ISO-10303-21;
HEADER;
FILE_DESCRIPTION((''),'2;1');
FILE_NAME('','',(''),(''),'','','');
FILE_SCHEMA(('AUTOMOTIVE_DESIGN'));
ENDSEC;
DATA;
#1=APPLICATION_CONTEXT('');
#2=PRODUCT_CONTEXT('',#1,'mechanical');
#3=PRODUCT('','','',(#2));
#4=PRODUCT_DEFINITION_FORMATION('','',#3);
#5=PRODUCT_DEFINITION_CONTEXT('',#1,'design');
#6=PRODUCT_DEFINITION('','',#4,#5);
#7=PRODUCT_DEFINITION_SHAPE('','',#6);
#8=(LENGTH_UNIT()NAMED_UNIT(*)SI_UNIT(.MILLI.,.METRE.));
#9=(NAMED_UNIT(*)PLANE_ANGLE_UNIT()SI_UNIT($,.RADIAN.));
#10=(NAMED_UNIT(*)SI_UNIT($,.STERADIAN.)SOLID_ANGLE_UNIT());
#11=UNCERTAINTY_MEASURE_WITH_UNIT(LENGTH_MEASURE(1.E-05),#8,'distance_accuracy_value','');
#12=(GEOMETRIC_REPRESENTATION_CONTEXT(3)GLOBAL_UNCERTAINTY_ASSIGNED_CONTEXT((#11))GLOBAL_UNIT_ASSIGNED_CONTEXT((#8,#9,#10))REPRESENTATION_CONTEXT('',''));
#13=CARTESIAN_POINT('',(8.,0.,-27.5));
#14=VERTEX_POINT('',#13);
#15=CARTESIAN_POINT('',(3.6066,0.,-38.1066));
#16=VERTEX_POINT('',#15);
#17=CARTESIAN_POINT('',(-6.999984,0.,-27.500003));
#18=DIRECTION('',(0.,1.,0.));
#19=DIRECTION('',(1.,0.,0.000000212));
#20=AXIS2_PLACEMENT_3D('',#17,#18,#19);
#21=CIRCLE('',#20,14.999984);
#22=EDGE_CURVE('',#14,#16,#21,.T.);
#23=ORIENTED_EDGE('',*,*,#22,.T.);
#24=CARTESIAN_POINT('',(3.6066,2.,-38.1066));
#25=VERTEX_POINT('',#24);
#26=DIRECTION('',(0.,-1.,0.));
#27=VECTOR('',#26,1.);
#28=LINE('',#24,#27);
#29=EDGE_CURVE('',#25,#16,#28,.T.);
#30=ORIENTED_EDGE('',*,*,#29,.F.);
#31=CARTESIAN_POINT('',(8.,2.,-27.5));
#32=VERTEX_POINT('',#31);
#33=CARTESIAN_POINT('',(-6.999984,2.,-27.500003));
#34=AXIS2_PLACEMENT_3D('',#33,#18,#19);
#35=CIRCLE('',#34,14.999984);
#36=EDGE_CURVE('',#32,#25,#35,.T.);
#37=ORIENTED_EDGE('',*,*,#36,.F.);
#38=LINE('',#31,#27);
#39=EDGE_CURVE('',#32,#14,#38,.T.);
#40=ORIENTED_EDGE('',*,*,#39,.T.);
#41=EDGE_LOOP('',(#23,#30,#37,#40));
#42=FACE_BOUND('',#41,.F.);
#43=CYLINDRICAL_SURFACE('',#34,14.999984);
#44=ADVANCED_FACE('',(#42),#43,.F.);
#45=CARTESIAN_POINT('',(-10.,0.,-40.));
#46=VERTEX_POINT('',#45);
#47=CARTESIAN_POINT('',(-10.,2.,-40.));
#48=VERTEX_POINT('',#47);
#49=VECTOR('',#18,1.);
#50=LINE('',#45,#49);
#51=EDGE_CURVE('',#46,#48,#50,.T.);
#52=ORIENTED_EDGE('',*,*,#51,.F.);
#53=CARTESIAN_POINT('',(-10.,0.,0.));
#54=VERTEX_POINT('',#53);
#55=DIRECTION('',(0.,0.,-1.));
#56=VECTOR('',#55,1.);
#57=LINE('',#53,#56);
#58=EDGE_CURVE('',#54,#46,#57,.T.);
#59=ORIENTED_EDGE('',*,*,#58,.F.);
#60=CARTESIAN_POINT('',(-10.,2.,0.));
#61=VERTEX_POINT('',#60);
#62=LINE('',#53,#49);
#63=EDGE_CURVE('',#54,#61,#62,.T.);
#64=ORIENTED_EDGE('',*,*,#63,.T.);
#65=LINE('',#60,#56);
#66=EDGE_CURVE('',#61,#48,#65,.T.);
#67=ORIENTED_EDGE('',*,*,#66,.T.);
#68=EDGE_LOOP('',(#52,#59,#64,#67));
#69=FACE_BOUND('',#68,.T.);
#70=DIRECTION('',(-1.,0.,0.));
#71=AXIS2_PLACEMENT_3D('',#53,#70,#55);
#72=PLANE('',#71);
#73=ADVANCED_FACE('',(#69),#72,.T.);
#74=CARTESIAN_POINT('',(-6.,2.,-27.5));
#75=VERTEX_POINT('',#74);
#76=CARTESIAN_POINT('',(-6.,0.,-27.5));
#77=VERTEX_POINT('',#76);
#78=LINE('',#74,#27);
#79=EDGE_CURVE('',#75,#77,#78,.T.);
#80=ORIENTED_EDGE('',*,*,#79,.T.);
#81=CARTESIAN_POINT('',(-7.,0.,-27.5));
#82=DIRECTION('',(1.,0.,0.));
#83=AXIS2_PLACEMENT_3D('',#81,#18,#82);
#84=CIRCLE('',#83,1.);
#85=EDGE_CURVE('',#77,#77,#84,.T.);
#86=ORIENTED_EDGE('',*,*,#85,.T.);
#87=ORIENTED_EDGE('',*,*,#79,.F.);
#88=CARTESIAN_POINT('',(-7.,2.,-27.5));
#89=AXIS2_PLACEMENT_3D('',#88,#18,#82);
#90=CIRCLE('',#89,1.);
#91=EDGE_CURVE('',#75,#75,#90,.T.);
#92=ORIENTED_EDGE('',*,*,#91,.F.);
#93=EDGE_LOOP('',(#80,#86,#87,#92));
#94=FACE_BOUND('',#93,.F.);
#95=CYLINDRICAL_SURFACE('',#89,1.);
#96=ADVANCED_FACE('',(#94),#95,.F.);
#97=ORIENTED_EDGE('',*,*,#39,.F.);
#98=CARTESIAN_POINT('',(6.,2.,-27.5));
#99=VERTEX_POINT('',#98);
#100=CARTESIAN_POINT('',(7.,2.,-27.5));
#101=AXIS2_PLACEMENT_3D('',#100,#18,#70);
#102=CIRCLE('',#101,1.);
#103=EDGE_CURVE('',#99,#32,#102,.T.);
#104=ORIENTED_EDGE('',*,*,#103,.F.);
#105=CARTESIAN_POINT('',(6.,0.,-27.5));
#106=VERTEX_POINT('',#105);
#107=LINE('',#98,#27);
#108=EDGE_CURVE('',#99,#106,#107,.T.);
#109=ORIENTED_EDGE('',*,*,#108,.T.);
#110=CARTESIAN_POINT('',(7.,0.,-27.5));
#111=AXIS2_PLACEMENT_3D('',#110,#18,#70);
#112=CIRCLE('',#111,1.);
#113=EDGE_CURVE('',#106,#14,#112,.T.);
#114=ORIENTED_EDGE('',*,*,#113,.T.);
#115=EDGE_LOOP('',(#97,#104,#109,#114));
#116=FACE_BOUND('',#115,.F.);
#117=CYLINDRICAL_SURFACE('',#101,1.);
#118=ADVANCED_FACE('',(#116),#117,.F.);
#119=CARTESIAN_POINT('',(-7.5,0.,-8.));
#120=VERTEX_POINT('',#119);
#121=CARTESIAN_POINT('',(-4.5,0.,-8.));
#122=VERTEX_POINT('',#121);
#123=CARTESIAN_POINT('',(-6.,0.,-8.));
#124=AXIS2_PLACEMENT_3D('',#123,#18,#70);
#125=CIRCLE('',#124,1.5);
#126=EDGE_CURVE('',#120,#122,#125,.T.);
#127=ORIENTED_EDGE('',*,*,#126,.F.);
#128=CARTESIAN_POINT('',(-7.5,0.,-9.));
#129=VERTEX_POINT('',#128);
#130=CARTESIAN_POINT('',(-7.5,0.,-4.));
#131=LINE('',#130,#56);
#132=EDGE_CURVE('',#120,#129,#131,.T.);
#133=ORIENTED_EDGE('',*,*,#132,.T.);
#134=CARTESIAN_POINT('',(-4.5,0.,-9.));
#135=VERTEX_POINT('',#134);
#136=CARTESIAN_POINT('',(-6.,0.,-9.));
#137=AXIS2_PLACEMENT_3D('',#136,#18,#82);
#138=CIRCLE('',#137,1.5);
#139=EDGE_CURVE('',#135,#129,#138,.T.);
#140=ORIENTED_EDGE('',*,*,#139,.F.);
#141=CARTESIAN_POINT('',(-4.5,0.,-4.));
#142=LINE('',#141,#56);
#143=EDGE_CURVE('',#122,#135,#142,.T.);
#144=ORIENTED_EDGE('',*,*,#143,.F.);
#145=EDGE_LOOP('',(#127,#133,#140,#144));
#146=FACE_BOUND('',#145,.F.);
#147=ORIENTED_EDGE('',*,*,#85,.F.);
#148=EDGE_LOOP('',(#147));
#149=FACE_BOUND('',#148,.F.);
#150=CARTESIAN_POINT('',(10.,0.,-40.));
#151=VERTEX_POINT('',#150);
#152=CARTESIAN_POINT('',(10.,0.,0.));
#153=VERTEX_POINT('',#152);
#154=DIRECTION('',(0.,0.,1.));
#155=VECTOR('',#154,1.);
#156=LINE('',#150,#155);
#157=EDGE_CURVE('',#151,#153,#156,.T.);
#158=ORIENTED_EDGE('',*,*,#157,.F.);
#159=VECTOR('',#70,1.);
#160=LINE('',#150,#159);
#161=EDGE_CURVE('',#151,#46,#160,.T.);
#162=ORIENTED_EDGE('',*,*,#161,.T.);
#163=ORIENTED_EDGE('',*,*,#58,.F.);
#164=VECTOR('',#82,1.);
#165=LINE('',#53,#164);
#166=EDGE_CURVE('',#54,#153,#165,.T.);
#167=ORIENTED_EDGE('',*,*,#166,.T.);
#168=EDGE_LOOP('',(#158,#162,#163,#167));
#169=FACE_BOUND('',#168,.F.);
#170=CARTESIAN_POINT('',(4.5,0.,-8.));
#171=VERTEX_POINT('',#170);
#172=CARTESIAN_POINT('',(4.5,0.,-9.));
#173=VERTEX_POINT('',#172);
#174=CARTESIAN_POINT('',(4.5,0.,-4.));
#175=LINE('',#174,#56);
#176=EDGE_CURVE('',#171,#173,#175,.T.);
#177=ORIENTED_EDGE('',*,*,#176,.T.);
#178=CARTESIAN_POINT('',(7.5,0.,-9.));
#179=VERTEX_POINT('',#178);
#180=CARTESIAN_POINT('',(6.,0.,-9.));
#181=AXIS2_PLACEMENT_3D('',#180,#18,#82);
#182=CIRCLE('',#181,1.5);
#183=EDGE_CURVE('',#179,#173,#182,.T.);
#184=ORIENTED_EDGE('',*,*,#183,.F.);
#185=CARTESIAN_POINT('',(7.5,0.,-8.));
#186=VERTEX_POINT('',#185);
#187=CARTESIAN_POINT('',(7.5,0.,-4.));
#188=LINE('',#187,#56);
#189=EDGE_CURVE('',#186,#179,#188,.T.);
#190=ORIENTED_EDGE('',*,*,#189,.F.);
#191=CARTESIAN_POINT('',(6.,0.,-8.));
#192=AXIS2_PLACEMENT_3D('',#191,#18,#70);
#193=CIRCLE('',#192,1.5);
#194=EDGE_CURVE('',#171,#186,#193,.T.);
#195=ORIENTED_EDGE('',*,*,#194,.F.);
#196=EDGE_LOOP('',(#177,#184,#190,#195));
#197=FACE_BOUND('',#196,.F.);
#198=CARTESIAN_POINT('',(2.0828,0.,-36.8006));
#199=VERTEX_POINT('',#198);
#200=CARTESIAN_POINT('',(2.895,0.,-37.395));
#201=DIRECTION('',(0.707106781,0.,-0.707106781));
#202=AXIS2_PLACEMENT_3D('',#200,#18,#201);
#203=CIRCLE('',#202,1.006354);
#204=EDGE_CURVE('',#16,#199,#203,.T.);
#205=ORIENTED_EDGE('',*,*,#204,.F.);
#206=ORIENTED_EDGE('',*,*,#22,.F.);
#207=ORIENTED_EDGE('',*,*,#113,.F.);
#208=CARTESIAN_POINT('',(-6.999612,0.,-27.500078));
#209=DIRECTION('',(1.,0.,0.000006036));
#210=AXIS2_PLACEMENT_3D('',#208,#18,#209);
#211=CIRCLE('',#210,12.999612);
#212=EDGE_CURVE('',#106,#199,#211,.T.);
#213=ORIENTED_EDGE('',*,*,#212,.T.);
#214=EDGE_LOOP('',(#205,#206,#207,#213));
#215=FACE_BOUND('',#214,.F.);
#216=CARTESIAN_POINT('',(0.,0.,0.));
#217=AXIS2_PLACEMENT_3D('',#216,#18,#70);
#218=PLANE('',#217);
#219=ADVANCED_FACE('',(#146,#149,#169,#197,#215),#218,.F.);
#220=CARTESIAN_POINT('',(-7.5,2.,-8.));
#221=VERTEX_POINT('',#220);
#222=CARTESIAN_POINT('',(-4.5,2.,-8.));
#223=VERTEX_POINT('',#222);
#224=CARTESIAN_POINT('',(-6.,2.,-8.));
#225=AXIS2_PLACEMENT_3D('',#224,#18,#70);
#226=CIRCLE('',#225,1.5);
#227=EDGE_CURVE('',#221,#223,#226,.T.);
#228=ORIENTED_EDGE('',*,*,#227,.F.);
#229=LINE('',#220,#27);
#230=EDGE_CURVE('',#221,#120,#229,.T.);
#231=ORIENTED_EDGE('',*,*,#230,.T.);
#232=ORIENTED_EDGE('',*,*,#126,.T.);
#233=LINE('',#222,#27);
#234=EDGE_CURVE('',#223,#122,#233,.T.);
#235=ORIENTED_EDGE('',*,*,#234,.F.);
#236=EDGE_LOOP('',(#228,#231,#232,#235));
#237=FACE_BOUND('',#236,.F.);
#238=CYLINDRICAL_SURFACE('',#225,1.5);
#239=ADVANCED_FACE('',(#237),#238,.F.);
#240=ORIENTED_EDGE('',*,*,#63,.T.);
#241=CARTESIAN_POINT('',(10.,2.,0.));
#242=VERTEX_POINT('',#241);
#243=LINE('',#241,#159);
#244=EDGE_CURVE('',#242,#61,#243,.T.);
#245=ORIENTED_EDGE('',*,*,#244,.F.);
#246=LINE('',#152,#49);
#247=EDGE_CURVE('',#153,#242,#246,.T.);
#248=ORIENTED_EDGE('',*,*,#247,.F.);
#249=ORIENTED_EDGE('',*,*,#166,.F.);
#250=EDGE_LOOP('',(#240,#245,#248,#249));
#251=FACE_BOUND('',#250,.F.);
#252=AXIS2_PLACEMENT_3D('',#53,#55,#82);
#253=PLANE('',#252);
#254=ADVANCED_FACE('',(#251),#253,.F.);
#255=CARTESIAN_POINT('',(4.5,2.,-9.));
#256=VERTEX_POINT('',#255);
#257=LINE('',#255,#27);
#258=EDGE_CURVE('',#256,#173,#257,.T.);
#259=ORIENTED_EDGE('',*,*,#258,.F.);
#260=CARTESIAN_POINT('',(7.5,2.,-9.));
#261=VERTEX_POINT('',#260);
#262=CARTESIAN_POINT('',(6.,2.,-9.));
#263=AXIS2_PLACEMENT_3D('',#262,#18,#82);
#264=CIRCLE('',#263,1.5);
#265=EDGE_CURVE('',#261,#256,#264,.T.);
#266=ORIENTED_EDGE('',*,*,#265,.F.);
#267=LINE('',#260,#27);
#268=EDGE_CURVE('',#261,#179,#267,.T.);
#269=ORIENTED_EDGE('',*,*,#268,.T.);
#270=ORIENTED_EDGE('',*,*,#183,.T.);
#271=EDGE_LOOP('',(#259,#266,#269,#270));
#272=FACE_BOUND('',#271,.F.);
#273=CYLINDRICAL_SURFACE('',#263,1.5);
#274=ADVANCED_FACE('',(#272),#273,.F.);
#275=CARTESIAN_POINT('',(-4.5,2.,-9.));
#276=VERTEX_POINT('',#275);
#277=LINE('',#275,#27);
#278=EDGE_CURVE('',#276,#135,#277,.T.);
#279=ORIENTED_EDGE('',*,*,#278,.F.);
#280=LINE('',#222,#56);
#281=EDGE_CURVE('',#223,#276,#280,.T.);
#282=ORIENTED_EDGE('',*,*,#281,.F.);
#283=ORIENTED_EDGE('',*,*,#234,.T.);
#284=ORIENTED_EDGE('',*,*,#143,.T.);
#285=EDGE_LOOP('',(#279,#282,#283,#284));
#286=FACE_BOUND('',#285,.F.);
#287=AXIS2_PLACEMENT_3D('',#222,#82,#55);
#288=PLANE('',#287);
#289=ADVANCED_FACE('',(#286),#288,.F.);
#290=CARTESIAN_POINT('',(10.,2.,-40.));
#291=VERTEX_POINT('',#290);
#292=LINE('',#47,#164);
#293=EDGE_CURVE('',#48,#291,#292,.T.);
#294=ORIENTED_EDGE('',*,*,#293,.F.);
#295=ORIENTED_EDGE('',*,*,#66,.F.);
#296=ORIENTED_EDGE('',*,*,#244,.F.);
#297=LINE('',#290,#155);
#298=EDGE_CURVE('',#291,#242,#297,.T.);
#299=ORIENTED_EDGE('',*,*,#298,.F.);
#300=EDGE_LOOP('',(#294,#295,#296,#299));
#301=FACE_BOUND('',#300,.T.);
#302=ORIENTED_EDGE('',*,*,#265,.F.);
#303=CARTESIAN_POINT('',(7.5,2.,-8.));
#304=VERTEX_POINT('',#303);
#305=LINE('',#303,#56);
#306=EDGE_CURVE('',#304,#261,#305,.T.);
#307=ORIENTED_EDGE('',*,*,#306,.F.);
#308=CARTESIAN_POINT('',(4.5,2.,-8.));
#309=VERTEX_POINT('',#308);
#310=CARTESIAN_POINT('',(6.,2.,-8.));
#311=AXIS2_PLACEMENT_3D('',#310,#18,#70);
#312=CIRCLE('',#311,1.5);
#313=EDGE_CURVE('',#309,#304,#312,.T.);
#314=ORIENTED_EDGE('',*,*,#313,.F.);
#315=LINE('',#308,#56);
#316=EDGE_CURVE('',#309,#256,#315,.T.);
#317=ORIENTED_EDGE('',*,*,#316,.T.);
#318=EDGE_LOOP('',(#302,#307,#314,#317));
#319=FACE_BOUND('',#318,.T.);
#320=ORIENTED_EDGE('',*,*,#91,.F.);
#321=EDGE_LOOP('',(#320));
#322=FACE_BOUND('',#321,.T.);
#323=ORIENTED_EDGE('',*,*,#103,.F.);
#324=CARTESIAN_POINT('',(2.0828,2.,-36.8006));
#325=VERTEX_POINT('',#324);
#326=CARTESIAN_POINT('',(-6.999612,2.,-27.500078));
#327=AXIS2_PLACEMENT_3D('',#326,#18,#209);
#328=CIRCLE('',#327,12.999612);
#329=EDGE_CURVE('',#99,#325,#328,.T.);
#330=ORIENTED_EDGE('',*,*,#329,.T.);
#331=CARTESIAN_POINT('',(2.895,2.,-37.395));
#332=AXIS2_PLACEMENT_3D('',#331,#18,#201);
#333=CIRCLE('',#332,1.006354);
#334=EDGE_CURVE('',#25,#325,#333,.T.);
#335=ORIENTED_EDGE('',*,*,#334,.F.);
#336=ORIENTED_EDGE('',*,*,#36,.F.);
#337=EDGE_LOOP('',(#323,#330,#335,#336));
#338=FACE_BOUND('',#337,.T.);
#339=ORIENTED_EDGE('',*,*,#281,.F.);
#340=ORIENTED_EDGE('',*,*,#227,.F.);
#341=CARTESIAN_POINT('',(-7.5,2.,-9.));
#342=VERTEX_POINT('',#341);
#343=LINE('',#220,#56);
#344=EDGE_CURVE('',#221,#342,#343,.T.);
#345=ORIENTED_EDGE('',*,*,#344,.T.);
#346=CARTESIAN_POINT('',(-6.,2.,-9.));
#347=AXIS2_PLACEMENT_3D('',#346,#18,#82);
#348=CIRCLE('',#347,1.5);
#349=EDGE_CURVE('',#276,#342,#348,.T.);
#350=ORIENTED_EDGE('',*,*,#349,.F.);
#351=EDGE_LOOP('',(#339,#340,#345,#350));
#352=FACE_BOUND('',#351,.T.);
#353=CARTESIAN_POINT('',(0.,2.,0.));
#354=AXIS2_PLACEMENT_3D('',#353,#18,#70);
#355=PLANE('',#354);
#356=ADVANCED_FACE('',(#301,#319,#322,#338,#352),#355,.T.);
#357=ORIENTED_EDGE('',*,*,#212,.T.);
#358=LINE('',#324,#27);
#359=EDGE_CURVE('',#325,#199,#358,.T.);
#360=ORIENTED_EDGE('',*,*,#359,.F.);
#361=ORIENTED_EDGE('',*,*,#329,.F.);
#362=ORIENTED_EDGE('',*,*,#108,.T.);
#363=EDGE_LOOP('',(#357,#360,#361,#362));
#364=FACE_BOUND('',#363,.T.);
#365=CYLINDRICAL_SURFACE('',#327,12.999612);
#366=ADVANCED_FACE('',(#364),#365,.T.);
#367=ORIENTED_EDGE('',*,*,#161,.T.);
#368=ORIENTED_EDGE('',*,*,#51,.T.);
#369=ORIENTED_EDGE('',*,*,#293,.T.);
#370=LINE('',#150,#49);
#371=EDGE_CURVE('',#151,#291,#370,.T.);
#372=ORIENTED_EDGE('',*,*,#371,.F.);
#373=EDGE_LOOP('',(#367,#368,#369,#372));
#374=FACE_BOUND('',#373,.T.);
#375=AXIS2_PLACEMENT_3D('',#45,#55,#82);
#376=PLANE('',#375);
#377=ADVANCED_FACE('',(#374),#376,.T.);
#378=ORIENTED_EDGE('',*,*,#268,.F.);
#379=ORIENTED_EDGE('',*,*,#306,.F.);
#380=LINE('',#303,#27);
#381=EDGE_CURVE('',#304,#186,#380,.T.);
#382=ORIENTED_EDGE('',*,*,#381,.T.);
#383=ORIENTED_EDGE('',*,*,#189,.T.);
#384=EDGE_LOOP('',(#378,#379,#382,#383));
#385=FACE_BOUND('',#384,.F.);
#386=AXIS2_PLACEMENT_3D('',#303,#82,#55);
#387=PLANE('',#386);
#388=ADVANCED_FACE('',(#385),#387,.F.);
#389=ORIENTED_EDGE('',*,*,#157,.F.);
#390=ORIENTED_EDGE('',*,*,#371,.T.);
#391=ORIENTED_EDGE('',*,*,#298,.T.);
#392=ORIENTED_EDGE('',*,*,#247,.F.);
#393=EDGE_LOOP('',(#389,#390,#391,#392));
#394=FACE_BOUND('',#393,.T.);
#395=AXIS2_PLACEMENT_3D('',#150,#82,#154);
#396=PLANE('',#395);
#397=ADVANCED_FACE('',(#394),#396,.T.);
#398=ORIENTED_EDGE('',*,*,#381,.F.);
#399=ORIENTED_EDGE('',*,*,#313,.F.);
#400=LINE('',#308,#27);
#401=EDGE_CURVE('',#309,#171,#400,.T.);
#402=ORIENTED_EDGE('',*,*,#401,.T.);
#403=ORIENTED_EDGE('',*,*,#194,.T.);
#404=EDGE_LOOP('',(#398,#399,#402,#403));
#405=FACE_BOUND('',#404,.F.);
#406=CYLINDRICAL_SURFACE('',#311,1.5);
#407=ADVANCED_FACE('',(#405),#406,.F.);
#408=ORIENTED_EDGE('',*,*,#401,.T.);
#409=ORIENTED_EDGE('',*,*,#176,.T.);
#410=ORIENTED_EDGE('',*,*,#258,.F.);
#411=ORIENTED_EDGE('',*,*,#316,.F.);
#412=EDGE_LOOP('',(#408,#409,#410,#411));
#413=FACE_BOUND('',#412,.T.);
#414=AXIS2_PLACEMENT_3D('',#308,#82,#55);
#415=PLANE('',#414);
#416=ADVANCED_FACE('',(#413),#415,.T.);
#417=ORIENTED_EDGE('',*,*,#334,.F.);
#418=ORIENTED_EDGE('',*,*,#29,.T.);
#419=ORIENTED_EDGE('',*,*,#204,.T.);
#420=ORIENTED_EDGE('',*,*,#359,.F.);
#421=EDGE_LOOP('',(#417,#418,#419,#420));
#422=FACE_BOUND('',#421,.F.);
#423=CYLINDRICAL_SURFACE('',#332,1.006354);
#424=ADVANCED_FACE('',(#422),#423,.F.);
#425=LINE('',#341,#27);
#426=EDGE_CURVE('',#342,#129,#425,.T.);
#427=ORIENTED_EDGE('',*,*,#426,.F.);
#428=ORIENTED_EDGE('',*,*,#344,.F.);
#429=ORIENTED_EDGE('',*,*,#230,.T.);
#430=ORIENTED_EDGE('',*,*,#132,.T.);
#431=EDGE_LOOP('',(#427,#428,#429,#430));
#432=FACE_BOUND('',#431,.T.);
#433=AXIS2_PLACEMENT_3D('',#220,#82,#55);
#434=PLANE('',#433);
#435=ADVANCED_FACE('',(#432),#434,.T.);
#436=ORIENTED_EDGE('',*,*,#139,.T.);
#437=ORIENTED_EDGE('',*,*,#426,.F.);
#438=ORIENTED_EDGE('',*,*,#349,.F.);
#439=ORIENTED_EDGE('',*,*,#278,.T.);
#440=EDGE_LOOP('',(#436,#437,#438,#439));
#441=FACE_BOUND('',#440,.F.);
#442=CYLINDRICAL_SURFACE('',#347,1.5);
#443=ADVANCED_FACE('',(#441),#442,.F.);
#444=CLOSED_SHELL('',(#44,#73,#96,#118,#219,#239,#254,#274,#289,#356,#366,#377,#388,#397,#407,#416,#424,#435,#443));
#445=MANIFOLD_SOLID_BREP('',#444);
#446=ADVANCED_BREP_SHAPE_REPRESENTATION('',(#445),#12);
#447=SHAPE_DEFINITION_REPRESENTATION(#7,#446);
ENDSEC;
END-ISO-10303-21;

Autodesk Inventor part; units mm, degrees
ref_plane "YZ Plane" through (0, 0, 0) normal (1, 0, 0) x (0, 1, 0)
ref_plane "XZ Plane" through (0, 0, 0) normal (0, 1, 0) x (-1, 0, 0)
ref_plane "XY Plane" through (0, 0, 0) normal (0, 0, 1) x (1, 0, 0)
sketch "Sketch1" plane through (0, 0, 0) normal (0, 1, 0) x (-1, 0, 0)
  line L0 (14, 0) -> (-14, 0) projected
  line L1 (0, -48) -> (0, 8) projected
  line L2 (10, -40) -> (-10, -40)
  line L3 (-10, -40) -> (-10, 0)
  line L4 (-10, 0) -> (10, 0)
  line L5 (10, 0) -> (10, -40)
  point P0 (0, 0)
  dimension "d0" = 20
  dimension "d1" = 40
  dimension "d4" = 10
extrude "Extrusion1" add sketch "Sketch1" along normal blind 2
sketch "Sketch2" plane through (0, 2, 0) normal (0, 1, 0) x (1, 0, 0)
  line L0 (10, 40) -> (-10, 40) projected
  line L1 (-10, 40) -> (-10, 0) projected
  line L2 (-10, 0) -> (10, 0) projected
  line L3 (10, 0) -> (10, 40) projected
  line L4 (10, 13.5) -> (-10, 13.5) construction
  line L5 (-10, 13.5) -> (-10, 24.5) construction
  line L6 (-10, 24.5) -> (10, 24.5) construction
  line L7 (10, 24.5) -> (10, 13.5) construction
  line L8 (10, 0) -> (10, 40) projected
  arc A0 (4.5, 8) -> (7.5, 8) centre (6, 8) ccw
  arc A1 (-7.5, 8) -> (-4.5, 8) centre (-6, 8) ccw
  line L9 (0, 49.0401) -> (0, -8.1733) construction
  arc A2 (7.5, 9) -> (4.5, 9) centre (6, 9) ccw
  arc A3 (-4.5, 9) -> (-7.5, 9) centre (-6, 9) ccw
  line L10 (7.5, 8) -> (7.5, 9)
  line L11 (4.5, 8) -> (4.5, 9)
  line L12 (-4.5, 8) -> (-4.5, 9)
  line L13 (-7.5, 8) -> (-7.5, 9)
  circle A4 centre (-7, 27.5) radius 1
  line L14 (-7, 27.5) -> (15.2836, 27.5) construction
  line L15 (-7, 27.5) -> (11.3667, 45.8667) construction
  arc A5 (3.6066, 38.1066) -> (2.1834, 36.6834) centre (2.895, 37.395) ccw
  arc A6 (6, 27.5) -> (8, 27.5) centre (7, 27.5) ccw
  arc A7 (6, 27.5) -> (2.0828, 36.8006) centre (-7, 27.5) ccw
  arc A8 (8, 27.5) -> (3.6066, 38.1066) centre (-7, 27.5) ccw
  point P0 (0, 0)
  dimension "d6" = 11
  dimension "d8" = 3
  dimension "d9" = 3
  dimension "d10" = 8
  dimension "d11" = 8
  dimension "d12" = 6
  dimension "d13" = 6
  dimension "d14" = 3
  dimension "d15" = 3
  dimension "d16" = 4.5
  dimension "d17" = 2
  dimension "d18" = 3
  dimension "d19" = 3
  dimension "d22" = 45
extrude "Extrusion2" cut sketch "Sketch2" against normal blind 3 contours L11 A2 L10 A0 | L13 A3 L12 A1 | A4 | A8 A6 A7 A5
equation "\"d4\" = 0.5 * d0"
equation "\"d11\" = d10"
equation "\"d13\" = d12"
equation "\"d23\" = d15"
properties part number "BallBalancing_Hinge"
